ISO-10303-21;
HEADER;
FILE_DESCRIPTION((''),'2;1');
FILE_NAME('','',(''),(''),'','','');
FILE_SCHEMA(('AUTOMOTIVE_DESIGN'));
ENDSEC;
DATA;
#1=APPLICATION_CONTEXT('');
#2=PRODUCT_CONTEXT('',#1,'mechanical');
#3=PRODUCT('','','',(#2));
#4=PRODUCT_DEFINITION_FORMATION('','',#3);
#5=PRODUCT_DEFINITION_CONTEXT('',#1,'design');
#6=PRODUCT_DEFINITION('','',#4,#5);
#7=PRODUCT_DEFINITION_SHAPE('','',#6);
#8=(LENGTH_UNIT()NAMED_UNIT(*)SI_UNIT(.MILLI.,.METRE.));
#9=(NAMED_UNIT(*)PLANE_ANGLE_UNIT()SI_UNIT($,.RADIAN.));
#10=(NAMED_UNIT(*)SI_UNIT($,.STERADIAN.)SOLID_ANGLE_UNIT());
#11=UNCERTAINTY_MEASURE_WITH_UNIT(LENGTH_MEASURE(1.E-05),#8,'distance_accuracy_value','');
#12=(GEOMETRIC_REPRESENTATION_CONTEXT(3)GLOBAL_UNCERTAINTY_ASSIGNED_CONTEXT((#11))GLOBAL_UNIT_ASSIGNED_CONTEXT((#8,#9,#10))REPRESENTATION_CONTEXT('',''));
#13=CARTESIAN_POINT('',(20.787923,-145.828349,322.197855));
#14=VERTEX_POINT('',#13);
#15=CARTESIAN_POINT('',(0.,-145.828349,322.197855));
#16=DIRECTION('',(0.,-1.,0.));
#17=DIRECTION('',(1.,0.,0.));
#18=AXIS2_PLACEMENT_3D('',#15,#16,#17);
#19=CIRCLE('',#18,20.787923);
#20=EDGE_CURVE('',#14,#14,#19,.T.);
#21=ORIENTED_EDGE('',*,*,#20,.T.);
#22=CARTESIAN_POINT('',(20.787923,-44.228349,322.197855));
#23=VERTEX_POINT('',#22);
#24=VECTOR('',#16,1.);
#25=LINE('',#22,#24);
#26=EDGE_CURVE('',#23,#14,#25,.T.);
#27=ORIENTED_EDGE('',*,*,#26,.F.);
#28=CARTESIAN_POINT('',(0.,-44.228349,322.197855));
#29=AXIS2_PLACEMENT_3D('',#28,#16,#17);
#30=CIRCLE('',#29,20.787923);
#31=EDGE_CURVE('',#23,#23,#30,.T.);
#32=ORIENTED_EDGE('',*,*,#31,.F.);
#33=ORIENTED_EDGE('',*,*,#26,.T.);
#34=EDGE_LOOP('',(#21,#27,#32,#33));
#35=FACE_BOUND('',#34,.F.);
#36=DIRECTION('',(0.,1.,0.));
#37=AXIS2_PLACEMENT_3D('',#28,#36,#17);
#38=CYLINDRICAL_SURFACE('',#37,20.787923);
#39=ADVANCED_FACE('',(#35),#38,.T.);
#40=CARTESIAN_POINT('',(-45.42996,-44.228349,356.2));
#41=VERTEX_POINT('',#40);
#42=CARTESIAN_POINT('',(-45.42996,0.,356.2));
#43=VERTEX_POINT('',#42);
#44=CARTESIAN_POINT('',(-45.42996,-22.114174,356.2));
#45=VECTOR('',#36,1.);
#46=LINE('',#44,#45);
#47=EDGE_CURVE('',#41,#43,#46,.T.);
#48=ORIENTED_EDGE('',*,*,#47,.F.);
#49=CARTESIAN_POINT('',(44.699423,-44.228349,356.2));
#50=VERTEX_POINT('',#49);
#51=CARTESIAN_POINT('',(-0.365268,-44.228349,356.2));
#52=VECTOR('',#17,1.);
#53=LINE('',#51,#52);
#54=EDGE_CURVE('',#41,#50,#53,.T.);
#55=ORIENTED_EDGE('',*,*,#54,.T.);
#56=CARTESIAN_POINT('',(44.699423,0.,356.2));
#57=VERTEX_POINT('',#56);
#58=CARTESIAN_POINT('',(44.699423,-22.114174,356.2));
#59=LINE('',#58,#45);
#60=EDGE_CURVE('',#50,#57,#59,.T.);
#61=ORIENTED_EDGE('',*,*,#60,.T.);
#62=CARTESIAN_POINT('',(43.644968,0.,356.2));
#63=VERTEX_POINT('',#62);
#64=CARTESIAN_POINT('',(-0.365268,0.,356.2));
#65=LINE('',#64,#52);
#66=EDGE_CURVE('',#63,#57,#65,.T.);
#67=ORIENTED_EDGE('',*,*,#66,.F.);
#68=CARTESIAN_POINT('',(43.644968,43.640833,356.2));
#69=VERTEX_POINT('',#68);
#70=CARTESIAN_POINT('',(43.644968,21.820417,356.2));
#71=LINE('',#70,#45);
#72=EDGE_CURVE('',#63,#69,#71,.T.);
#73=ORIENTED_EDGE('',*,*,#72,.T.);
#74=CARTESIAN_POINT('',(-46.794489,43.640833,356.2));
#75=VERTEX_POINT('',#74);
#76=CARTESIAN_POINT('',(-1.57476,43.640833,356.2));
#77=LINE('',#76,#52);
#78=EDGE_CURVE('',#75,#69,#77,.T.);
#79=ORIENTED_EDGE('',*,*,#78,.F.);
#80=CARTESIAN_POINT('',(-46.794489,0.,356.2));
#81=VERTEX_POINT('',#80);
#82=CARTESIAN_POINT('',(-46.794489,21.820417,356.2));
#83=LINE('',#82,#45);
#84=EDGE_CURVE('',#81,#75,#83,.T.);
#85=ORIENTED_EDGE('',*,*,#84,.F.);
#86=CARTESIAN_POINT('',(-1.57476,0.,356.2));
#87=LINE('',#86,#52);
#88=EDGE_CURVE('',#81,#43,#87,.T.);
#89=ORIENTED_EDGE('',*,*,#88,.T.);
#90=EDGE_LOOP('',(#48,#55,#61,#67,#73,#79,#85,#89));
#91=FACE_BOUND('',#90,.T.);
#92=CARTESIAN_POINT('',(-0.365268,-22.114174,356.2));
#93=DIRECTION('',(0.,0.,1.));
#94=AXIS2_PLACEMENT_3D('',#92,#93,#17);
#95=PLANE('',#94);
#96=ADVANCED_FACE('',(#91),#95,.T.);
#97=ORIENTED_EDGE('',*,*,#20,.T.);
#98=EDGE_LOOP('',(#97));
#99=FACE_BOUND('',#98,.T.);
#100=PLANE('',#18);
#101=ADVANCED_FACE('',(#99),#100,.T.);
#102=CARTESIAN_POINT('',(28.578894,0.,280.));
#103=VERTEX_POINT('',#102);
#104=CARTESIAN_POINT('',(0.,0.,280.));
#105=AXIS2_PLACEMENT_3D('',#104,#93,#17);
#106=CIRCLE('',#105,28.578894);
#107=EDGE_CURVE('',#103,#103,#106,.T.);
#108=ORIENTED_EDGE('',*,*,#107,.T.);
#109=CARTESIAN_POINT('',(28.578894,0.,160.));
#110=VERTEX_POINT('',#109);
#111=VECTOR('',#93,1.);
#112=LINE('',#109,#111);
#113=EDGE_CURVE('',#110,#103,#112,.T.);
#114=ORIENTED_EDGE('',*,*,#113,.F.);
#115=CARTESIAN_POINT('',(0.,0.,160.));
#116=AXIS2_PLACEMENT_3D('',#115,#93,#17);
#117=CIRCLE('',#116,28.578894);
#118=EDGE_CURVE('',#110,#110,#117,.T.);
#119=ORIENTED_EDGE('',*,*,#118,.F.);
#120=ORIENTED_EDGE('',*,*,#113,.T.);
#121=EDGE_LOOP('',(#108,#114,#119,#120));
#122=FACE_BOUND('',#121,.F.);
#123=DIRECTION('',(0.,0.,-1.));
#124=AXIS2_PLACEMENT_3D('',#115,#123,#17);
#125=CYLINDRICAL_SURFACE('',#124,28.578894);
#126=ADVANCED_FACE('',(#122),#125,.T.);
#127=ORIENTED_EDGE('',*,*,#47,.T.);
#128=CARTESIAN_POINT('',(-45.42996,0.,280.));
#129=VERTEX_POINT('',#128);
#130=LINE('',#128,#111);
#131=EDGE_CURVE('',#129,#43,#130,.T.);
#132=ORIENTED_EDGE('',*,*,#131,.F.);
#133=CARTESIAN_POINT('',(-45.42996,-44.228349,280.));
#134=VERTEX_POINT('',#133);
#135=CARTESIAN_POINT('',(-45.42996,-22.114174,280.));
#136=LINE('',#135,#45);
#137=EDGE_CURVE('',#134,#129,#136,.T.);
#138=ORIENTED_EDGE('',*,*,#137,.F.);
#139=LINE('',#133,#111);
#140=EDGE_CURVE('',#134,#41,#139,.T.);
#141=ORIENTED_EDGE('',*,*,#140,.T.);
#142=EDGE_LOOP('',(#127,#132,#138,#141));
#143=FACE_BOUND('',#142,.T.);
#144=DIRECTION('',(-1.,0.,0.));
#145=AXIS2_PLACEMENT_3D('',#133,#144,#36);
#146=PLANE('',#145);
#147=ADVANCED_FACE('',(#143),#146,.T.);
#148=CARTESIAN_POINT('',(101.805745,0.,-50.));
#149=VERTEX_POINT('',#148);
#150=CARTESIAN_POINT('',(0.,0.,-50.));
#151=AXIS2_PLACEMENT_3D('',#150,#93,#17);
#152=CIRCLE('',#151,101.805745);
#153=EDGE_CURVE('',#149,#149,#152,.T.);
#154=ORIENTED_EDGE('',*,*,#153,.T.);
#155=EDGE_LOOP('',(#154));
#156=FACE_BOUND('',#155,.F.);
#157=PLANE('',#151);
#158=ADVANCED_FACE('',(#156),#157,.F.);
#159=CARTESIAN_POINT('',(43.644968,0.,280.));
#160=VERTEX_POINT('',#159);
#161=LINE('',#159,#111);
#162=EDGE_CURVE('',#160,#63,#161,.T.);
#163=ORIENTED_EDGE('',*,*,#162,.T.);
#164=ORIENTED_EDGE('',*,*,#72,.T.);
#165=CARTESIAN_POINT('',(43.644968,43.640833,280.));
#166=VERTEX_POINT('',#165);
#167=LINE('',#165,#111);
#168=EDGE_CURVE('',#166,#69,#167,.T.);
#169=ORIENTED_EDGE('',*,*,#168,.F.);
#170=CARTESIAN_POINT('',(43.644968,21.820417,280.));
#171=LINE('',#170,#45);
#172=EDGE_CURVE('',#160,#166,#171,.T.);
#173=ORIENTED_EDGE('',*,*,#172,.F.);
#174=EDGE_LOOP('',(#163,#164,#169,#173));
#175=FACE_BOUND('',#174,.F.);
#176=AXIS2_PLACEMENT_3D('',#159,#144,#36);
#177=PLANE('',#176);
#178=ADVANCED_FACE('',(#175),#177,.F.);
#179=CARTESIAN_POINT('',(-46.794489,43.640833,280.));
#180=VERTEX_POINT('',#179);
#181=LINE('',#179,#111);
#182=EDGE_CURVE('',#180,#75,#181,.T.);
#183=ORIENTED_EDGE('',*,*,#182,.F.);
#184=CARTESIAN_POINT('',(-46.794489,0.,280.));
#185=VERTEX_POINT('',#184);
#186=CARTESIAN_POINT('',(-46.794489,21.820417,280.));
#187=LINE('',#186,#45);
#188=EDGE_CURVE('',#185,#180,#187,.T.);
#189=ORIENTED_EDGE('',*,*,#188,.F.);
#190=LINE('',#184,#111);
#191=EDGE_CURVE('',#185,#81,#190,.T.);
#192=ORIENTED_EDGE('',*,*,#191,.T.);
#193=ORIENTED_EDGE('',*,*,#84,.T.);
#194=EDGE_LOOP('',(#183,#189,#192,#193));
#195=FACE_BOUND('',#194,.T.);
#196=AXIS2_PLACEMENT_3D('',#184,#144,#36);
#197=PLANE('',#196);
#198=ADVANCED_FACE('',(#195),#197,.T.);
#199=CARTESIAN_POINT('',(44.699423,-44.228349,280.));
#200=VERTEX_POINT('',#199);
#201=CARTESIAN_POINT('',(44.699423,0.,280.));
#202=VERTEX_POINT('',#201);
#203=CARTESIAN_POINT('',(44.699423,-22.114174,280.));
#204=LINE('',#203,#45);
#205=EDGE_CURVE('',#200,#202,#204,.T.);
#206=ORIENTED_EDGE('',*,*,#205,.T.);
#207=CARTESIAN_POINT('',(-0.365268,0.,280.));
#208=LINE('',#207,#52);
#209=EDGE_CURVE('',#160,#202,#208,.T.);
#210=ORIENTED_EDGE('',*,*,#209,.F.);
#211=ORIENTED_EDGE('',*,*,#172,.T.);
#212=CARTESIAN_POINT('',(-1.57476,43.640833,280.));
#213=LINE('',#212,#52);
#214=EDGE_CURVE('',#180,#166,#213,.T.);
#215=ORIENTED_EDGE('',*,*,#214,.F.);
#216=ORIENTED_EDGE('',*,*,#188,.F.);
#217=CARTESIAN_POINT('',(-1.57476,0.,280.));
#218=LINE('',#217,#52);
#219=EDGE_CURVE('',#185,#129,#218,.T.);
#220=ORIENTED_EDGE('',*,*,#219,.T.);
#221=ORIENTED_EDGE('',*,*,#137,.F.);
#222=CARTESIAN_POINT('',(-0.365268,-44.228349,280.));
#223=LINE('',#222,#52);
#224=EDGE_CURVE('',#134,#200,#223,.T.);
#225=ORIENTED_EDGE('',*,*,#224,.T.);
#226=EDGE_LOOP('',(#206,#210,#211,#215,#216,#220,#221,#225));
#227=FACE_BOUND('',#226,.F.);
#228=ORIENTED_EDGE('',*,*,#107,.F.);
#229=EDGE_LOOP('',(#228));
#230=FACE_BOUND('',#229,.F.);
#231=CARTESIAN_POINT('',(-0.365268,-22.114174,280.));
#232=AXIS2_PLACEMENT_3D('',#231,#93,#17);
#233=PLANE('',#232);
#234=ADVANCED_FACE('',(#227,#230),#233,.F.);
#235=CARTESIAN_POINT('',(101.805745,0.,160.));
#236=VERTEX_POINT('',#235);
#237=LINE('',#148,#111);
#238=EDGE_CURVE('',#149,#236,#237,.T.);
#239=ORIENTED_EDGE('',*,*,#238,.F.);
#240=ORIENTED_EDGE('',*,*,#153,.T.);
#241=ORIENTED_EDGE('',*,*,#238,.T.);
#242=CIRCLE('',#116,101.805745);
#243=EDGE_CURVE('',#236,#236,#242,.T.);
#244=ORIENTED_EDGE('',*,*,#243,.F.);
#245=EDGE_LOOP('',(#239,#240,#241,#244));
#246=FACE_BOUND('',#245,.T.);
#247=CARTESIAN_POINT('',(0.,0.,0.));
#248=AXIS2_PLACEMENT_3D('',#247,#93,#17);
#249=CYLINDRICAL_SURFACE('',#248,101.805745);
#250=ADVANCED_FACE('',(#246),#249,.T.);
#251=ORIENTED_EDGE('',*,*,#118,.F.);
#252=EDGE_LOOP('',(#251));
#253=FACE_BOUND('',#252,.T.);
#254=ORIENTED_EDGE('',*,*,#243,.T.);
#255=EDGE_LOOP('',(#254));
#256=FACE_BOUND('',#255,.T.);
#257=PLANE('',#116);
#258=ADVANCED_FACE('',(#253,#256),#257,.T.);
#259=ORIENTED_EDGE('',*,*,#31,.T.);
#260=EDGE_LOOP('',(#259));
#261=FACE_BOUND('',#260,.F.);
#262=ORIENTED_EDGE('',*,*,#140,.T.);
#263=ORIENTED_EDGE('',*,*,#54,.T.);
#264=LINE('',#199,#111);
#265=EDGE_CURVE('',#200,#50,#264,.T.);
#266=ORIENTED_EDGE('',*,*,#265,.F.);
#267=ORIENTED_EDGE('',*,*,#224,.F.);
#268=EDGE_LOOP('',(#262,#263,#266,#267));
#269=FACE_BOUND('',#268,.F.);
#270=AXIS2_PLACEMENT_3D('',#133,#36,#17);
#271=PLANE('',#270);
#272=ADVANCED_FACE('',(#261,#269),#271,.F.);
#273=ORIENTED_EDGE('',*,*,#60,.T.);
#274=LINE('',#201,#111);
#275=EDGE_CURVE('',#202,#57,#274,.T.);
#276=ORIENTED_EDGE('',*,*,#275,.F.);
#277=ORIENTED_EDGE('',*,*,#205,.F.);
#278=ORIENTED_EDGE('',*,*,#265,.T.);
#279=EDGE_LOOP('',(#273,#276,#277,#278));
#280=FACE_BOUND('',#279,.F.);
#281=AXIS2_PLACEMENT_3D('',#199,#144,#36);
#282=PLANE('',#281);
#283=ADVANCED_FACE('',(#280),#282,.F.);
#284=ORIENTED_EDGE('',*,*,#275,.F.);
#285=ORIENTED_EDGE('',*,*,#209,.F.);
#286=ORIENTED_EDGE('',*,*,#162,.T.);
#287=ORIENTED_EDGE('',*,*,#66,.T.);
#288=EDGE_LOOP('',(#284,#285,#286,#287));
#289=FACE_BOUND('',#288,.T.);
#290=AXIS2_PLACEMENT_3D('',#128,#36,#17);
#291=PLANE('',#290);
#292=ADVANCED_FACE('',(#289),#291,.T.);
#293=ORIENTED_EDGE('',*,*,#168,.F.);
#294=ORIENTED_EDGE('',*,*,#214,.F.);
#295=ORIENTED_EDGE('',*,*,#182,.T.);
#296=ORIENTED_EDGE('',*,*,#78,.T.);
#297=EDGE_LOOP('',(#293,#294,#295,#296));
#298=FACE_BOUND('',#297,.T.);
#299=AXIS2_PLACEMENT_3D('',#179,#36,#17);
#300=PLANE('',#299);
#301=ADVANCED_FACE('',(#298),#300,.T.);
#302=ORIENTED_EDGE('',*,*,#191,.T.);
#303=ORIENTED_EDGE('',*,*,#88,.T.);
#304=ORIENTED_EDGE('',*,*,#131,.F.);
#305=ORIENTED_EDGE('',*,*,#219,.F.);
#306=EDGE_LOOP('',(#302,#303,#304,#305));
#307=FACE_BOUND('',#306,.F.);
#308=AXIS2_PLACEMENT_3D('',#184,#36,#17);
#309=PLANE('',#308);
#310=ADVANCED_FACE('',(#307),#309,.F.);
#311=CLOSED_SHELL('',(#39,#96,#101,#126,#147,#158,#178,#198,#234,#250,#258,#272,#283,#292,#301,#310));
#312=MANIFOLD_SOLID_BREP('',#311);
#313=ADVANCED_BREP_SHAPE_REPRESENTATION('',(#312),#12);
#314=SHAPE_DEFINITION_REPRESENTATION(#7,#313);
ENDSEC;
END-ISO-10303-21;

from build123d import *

# Parameters (mm, degrees)
F0_R      = 101.8057448426
F1_DEPTH  = 160
F2_R      = 28.5788941191
F3_DEPTH  = 120
F4_DEPTH  = 50
F6_W      = 90.1293829083
F6_H      = 44.228348881
F7_W      = 90.4394574463
F7_H      = 43.640833348
F8_DEPTH  = 76.2
F9_R      = 20.7879230701
F10_DEPTH = 101.6


with BuildPart() as f1:
    # F0 (on Top) → F1 (new body)
    with BuildSketch(Plane.XY):
        Circle(F0_R)
    extrude(amount=F1_DEPTH)

    # F2 (on face) → F3 (join)
    with BuildSketch(Plane.XY.offset(160)):
        Circle(F2_R)
    extrude(amount=F3_DEPTH)

    # F4 (add): a face of the model
    f4_faces = [f1.faces().sort_by_distance(p)[0] for p in [
        (0, 0, 0),
    ]]
    extrude(f4_faces, amount=F4_DEPTH)

    # F6 (on face) + F7 (on face) → F8 (join)
    with BuildSketch(Plane.XY.offset(280)):
        with Locations((-0.3652684391, -22.1141744405)):
            Rectangle(F6_W, F6_H)
    with BuildSketch(Plane.XY.offset(280)):
        with Locations((-1.5747603029, 21.820416674)):
            Rectangle(F7_W, F7_H)
    extrude(amount=F8_DEPTH)

    # F9 (on face) → F10 (join)
    with BuildSketch(Plane.XZ.offset(44.228348881)):
        with Locations((0, 322.1978545189)):
            Circle(F9_R)
    extrude(amount=F10_DEPTH)


solid = f1.part
